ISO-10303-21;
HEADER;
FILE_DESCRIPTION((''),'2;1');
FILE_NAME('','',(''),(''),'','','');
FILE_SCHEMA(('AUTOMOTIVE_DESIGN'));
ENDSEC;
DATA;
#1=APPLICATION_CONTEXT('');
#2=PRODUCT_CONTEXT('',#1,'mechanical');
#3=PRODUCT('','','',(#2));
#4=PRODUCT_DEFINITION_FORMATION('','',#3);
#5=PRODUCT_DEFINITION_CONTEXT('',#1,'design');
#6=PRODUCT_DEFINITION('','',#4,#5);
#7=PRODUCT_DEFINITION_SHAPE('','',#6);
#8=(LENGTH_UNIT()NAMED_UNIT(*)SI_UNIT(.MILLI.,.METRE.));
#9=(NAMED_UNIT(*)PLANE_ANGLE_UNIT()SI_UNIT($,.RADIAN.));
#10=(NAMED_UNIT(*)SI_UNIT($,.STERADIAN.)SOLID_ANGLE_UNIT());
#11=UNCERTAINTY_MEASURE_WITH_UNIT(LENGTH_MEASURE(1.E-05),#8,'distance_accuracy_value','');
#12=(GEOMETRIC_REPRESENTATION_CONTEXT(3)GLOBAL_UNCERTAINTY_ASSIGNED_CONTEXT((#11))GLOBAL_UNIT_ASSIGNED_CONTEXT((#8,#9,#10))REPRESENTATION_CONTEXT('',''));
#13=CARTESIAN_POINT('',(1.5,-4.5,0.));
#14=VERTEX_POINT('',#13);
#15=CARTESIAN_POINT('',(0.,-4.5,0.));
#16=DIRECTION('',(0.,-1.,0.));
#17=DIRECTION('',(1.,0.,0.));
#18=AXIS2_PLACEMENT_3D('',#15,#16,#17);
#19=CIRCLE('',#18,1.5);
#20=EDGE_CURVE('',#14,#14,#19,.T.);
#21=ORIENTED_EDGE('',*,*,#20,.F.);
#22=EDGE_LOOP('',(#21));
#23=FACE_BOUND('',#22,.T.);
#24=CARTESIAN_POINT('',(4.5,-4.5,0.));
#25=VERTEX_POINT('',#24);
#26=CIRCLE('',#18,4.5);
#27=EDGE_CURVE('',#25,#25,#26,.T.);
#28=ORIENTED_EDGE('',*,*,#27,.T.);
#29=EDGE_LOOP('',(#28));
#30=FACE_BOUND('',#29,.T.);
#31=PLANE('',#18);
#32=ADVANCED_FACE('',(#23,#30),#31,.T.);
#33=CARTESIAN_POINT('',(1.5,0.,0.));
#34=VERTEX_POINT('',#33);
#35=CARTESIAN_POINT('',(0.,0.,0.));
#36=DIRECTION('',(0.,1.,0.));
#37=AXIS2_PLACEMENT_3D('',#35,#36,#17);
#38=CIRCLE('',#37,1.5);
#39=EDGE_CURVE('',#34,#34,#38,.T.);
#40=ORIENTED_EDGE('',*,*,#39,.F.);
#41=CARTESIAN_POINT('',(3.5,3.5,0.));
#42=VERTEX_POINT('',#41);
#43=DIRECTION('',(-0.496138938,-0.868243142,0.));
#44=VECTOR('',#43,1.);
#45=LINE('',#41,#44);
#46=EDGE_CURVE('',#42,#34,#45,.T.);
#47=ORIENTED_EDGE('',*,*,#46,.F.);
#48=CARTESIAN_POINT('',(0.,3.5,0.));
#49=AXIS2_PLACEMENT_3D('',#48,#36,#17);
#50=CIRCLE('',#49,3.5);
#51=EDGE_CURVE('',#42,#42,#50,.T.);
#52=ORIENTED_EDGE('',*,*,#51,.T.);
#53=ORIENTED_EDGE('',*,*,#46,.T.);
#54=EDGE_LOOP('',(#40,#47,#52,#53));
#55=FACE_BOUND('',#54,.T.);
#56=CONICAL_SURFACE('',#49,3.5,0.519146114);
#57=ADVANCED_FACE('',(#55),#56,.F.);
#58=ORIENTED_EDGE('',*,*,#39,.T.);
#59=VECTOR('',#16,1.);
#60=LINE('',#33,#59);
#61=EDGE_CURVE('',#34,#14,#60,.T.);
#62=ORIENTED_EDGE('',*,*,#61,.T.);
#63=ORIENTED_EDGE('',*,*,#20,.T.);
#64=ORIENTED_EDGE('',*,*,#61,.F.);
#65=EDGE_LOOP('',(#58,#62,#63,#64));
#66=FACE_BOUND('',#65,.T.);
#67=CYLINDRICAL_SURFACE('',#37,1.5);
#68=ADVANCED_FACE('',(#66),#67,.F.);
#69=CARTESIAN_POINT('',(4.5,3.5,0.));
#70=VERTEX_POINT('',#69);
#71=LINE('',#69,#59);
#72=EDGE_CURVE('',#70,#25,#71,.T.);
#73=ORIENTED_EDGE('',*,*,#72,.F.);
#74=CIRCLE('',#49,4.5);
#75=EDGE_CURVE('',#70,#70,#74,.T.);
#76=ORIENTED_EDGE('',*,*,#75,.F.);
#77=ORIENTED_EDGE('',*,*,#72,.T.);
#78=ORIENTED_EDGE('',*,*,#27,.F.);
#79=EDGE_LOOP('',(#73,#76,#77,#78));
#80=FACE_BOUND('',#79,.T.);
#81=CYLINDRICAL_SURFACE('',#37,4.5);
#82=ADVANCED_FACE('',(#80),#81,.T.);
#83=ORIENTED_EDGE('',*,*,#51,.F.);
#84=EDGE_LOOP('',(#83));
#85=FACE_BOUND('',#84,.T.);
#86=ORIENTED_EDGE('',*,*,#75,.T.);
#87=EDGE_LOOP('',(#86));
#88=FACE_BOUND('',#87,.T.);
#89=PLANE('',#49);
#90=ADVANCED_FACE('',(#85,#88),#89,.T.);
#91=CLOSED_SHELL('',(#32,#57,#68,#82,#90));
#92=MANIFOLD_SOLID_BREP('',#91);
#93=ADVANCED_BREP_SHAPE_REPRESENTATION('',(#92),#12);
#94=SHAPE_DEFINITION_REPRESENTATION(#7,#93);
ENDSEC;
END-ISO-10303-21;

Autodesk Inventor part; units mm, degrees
ref_plane "YZ Plane" through (0, 0, 0) normal (1, 0, 0) x (0, 1, 0)
ref_plane "XZ Plane" through (0, 0, 0) normal (0, 1, 0) x (-1, 0, 0)
ref_plane "XY Plane" through (0, 0, 0) normal (0, 0, 1) x (1, 0, 0)
sketch "Szkic1" plane through (0, 0, 0) normal (0, 0, 1) x (1, 0, 0)
  line L0 (0, 0) -> (1.5, 0) construction
  line L1 (0, 0) -> (4.5, 0) construction
  line L2 (4.5, 0) -> (4.5, 3.5)
  line L3 (0, 3.5) -> (3.5, 3.5) construction
  line L4 (4.5, 3.5) -> (3.5, 3.5)
  line L5 (3.5, 3.5) -> (1.5, 0)
  line L6 (1.5, 0) -> (4.5, 0)
  line L7 (0, 0) -> (0, 6.7021)
  dimension "d0" = 1.5
  dimension "d1" = 4.5
  dimension "d2" = 3.5
  dimension "d3" = 3.5
revolve "Obrót1" add sketch "Szkic1" angle 360 about axis through (0, 0, 0) along (0, 1, 0)
sketch "Szkic2" plane through (0, 0, 0) normal (0, -1, 0) x (1, 0, 0)
  circle A0 centre (0, 0) radius 3.5 projected
  circle A1 centre (0, 0) radius 4.5 projected
  circle A2 centre (0, 0) radius 1.5 projected
extrude "Wyciągnięcie proste1" add sketch "Szkic2" along normal blind 4.5 contours A0 | A1
properties part number "_Drukowanie 3D"
